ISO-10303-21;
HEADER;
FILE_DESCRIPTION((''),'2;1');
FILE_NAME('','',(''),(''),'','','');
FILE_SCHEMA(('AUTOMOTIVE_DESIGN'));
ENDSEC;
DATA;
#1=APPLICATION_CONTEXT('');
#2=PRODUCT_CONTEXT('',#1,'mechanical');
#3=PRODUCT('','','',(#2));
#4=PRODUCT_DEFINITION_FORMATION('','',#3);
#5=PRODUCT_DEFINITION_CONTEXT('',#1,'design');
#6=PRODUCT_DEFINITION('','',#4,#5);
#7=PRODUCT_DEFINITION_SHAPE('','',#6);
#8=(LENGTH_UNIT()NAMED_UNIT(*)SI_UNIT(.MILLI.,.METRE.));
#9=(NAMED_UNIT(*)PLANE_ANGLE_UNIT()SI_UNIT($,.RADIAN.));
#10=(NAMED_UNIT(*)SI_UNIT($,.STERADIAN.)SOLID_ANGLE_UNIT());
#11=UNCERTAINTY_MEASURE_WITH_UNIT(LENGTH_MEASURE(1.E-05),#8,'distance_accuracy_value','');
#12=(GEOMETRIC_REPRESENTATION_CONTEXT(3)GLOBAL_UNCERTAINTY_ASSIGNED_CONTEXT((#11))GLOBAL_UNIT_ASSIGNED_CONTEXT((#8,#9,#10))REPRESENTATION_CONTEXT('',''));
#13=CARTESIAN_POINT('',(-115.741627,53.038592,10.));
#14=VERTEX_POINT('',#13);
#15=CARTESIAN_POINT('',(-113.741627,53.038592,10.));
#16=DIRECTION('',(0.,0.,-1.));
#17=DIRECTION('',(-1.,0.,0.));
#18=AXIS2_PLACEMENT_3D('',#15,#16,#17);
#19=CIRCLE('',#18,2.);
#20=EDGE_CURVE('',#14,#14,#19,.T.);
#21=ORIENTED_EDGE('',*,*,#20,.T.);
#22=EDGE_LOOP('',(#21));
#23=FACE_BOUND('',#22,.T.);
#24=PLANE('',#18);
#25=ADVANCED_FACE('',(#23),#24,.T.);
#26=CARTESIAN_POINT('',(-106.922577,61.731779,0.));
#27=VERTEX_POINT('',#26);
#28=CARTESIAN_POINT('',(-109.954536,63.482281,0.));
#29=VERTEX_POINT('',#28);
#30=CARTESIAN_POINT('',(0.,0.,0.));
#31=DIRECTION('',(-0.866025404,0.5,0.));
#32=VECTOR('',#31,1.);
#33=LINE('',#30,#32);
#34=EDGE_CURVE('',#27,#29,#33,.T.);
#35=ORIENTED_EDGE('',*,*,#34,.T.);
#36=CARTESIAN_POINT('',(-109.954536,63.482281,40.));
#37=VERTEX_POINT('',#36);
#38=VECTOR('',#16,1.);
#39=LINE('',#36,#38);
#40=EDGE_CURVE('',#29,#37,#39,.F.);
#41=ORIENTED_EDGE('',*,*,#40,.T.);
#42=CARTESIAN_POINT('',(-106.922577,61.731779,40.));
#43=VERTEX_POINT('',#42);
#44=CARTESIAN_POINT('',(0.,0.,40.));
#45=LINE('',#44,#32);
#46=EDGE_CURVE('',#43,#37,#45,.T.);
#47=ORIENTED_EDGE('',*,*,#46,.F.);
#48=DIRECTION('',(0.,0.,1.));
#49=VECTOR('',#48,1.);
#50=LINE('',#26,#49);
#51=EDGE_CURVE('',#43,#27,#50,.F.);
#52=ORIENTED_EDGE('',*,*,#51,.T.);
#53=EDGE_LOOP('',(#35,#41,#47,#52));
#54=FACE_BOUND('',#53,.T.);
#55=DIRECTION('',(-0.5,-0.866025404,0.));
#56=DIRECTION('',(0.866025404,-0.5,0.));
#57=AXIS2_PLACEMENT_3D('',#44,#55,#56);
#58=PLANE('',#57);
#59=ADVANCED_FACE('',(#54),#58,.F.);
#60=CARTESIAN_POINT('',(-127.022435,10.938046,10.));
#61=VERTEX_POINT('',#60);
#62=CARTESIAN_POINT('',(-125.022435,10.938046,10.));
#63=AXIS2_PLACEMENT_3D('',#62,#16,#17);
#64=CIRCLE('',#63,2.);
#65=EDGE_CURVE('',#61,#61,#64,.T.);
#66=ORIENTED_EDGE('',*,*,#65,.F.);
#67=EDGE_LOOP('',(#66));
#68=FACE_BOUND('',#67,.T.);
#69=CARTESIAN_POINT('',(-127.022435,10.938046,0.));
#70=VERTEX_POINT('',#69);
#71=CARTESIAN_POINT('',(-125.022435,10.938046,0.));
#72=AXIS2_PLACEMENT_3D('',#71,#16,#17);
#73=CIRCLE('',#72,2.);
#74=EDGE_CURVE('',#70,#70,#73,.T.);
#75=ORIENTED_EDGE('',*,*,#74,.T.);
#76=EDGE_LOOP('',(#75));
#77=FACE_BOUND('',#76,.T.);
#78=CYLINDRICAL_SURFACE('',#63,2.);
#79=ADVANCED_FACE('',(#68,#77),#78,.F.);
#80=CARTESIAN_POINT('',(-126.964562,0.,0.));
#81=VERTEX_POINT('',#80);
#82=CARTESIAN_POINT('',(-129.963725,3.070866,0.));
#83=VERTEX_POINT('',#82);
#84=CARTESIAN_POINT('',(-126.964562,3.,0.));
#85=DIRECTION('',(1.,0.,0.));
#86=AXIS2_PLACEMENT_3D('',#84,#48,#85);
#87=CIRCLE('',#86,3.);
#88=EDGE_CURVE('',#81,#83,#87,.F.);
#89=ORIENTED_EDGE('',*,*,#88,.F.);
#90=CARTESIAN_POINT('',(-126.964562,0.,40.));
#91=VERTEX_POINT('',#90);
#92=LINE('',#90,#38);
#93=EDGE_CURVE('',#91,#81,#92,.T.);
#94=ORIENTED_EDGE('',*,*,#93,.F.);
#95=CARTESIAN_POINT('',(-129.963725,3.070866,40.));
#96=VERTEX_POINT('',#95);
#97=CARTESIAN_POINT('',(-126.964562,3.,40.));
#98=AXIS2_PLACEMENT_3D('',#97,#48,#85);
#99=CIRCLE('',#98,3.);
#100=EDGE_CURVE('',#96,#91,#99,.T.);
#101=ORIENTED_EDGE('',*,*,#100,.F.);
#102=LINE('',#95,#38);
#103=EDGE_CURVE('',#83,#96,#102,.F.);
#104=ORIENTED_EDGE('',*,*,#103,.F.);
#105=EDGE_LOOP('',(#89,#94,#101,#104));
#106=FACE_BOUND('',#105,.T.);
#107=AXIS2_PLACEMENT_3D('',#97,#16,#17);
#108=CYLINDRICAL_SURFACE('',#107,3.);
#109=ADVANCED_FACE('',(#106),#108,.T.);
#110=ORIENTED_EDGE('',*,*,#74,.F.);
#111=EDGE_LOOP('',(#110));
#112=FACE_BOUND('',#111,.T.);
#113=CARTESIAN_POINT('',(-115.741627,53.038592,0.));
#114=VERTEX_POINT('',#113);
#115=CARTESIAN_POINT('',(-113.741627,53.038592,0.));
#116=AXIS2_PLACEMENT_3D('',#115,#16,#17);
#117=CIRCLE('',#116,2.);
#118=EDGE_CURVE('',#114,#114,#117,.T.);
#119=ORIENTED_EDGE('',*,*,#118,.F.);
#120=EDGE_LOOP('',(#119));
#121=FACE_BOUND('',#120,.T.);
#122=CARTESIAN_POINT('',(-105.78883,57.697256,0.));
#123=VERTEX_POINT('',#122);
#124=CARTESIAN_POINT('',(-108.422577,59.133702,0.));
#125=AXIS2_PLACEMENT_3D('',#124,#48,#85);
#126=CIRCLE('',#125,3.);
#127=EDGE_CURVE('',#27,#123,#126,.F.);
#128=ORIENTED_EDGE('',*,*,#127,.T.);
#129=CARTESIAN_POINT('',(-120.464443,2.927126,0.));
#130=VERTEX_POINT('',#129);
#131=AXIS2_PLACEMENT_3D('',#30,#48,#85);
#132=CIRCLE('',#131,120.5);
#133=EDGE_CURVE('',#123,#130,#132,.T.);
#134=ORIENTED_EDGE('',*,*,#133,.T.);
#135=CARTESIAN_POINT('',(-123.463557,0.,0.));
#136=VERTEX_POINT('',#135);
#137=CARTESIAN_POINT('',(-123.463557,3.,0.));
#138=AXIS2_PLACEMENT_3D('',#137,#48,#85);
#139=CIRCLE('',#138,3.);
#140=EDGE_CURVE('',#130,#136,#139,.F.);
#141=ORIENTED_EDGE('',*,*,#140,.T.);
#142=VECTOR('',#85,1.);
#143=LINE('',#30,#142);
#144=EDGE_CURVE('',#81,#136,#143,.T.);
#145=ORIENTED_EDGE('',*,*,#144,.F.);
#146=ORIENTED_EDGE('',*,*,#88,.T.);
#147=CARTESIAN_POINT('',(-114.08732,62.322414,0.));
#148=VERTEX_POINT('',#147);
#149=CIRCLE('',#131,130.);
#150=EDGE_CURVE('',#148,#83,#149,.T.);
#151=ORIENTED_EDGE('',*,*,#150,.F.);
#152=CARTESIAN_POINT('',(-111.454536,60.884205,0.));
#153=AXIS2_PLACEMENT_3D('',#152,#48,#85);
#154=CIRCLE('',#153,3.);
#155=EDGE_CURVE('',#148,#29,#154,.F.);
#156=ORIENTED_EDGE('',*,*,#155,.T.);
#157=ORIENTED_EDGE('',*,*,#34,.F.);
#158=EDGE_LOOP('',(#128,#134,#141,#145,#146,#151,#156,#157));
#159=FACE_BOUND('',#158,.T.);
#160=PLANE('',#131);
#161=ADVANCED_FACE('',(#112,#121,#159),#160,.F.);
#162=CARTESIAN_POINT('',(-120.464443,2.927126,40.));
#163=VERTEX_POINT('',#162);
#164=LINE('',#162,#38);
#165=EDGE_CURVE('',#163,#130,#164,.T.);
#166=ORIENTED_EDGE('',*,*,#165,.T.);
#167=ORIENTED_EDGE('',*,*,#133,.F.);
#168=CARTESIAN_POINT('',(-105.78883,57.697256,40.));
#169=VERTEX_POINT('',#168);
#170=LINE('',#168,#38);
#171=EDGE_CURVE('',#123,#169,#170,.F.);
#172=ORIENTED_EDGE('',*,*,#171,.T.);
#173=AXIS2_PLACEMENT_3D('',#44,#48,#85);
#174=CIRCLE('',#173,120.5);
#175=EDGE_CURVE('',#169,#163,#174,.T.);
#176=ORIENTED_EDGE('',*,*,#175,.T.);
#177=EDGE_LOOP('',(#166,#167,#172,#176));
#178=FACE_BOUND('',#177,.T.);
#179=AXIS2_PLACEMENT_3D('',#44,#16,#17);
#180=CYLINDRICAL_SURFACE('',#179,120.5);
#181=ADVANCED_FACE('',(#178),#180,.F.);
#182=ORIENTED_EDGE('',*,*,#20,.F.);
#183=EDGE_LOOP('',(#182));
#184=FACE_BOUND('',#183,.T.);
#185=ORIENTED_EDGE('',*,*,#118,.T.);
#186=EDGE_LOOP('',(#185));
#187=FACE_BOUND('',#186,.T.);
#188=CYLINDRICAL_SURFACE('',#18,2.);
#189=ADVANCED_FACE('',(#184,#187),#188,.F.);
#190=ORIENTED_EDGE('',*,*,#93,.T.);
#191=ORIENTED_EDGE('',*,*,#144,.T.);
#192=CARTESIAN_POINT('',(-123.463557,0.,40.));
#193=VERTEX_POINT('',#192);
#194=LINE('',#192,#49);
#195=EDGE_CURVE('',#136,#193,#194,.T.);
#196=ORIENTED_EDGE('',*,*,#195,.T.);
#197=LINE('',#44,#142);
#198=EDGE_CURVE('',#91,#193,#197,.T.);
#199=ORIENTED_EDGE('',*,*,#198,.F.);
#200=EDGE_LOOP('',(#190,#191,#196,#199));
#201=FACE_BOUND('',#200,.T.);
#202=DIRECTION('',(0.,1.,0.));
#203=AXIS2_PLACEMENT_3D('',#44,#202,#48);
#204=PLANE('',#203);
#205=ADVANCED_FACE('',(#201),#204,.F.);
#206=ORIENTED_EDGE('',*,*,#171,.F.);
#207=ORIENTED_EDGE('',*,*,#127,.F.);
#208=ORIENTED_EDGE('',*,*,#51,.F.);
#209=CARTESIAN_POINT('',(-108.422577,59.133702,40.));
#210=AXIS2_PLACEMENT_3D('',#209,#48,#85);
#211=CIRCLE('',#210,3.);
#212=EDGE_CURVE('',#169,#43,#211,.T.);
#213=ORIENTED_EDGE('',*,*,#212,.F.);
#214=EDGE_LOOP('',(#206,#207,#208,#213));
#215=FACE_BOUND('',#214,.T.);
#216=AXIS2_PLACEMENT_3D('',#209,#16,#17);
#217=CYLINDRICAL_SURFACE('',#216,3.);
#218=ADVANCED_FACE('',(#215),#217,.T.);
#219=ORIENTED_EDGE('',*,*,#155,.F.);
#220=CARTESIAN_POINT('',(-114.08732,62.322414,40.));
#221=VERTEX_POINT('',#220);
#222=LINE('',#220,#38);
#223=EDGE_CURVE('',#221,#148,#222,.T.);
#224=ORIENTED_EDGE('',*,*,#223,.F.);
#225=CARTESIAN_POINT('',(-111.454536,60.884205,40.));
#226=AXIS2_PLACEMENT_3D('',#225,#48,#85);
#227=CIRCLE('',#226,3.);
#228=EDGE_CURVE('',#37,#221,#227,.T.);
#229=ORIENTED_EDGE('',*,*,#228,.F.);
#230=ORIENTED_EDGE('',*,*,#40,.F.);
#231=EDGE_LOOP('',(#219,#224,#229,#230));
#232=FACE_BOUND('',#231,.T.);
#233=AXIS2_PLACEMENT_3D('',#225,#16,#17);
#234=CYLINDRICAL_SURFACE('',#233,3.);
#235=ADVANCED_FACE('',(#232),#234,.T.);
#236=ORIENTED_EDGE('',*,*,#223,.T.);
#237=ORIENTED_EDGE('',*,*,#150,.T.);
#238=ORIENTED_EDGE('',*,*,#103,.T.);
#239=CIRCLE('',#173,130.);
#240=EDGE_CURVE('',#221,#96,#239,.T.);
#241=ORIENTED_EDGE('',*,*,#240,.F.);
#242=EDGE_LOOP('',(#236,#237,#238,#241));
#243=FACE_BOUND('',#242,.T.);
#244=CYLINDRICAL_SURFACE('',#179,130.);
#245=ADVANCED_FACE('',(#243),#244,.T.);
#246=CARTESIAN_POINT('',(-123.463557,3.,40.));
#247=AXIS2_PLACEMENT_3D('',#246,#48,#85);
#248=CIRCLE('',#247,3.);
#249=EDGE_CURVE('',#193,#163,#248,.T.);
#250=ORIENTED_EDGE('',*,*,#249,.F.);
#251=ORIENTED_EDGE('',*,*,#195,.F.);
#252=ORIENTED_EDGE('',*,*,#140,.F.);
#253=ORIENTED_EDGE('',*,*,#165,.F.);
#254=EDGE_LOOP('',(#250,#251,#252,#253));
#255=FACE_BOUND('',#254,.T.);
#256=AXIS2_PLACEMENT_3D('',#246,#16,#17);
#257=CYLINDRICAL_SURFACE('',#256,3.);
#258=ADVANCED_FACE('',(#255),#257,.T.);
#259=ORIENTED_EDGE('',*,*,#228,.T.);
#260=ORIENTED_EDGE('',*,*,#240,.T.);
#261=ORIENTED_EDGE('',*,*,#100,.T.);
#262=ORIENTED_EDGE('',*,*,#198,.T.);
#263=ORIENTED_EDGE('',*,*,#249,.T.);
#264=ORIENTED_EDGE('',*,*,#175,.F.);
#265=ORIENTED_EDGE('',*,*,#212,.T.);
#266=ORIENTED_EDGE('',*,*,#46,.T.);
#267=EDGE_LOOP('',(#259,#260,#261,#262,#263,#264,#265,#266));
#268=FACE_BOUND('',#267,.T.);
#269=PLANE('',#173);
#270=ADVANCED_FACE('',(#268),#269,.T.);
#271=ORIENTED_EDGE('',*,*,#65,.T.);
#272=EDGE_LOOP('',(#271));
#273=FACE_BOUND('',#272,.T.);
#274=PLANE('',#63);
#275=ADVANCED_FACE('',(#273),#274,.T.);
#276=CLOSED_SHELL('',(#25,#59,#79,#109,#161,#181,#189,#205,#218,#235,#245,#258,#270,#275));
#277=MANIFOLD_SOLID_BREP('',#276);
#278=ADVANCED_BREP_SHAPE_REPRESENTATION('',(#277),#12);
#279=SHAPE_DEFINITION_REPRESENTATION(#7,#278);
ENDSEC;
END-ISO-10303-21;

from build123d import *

# Parameters (mm, degrees)
EXTRUDE_1_DEPTH     = 40
FILLET_1_R          = 3
SKETCH_2_R          = 2
CUT_EXTRUDE_1_DEPTH = 10


with BuildPart() as part:
    # 草图1 → 凸台-拉伸1 (new body)
    with BuildSketch(Plane.XY):
        with BuildLine():
            Line((-130, 0), (-120.5, 0))
            ThreePointArc((-120.5, 0), (-116.394062068, 31.187694935), (-104.356061156, 60.25))
            Line((-104.356061156, 60.25), (-112.583302492, 65))
            ThreePointArc((-112.583302492, 65), (-125.570357418, 33.646475863), (-130, 0))
        make_face()
    extrude(amount=EXTRUDE_1_DEPTH)

    # 圆角1
    fillet_1_edges = [part.edges().sort_by_distance(p)[0] for p in [
        (-104.356061156, 60.25, 20),
        (-120.5, 0, 20),
        (-130, 0, 20),
        (-112.583302492, 65, 20),
    ]]
    fillet(fillet_1_edges, radius=FILLET_1_R)

    # 草图2 → 切除-拉伸1 (cut)
    with BuildSketch(Plane(origin=(0, 0, 0), x_dir=(-1, 0, 0), z_dir=(0, 0, -1))):
        with Locations((125.022434611, 10.938045715)):
            Circle(SKETCH_2_R)
        with Locations((113.741627273, 53.038591848)):
            Circle(SKETCH_2_R)
    extrude(amount=-CUT_EXTRUDE_1_DEPTH, mode=Mode.SUBTRACT)


solid = part.part
